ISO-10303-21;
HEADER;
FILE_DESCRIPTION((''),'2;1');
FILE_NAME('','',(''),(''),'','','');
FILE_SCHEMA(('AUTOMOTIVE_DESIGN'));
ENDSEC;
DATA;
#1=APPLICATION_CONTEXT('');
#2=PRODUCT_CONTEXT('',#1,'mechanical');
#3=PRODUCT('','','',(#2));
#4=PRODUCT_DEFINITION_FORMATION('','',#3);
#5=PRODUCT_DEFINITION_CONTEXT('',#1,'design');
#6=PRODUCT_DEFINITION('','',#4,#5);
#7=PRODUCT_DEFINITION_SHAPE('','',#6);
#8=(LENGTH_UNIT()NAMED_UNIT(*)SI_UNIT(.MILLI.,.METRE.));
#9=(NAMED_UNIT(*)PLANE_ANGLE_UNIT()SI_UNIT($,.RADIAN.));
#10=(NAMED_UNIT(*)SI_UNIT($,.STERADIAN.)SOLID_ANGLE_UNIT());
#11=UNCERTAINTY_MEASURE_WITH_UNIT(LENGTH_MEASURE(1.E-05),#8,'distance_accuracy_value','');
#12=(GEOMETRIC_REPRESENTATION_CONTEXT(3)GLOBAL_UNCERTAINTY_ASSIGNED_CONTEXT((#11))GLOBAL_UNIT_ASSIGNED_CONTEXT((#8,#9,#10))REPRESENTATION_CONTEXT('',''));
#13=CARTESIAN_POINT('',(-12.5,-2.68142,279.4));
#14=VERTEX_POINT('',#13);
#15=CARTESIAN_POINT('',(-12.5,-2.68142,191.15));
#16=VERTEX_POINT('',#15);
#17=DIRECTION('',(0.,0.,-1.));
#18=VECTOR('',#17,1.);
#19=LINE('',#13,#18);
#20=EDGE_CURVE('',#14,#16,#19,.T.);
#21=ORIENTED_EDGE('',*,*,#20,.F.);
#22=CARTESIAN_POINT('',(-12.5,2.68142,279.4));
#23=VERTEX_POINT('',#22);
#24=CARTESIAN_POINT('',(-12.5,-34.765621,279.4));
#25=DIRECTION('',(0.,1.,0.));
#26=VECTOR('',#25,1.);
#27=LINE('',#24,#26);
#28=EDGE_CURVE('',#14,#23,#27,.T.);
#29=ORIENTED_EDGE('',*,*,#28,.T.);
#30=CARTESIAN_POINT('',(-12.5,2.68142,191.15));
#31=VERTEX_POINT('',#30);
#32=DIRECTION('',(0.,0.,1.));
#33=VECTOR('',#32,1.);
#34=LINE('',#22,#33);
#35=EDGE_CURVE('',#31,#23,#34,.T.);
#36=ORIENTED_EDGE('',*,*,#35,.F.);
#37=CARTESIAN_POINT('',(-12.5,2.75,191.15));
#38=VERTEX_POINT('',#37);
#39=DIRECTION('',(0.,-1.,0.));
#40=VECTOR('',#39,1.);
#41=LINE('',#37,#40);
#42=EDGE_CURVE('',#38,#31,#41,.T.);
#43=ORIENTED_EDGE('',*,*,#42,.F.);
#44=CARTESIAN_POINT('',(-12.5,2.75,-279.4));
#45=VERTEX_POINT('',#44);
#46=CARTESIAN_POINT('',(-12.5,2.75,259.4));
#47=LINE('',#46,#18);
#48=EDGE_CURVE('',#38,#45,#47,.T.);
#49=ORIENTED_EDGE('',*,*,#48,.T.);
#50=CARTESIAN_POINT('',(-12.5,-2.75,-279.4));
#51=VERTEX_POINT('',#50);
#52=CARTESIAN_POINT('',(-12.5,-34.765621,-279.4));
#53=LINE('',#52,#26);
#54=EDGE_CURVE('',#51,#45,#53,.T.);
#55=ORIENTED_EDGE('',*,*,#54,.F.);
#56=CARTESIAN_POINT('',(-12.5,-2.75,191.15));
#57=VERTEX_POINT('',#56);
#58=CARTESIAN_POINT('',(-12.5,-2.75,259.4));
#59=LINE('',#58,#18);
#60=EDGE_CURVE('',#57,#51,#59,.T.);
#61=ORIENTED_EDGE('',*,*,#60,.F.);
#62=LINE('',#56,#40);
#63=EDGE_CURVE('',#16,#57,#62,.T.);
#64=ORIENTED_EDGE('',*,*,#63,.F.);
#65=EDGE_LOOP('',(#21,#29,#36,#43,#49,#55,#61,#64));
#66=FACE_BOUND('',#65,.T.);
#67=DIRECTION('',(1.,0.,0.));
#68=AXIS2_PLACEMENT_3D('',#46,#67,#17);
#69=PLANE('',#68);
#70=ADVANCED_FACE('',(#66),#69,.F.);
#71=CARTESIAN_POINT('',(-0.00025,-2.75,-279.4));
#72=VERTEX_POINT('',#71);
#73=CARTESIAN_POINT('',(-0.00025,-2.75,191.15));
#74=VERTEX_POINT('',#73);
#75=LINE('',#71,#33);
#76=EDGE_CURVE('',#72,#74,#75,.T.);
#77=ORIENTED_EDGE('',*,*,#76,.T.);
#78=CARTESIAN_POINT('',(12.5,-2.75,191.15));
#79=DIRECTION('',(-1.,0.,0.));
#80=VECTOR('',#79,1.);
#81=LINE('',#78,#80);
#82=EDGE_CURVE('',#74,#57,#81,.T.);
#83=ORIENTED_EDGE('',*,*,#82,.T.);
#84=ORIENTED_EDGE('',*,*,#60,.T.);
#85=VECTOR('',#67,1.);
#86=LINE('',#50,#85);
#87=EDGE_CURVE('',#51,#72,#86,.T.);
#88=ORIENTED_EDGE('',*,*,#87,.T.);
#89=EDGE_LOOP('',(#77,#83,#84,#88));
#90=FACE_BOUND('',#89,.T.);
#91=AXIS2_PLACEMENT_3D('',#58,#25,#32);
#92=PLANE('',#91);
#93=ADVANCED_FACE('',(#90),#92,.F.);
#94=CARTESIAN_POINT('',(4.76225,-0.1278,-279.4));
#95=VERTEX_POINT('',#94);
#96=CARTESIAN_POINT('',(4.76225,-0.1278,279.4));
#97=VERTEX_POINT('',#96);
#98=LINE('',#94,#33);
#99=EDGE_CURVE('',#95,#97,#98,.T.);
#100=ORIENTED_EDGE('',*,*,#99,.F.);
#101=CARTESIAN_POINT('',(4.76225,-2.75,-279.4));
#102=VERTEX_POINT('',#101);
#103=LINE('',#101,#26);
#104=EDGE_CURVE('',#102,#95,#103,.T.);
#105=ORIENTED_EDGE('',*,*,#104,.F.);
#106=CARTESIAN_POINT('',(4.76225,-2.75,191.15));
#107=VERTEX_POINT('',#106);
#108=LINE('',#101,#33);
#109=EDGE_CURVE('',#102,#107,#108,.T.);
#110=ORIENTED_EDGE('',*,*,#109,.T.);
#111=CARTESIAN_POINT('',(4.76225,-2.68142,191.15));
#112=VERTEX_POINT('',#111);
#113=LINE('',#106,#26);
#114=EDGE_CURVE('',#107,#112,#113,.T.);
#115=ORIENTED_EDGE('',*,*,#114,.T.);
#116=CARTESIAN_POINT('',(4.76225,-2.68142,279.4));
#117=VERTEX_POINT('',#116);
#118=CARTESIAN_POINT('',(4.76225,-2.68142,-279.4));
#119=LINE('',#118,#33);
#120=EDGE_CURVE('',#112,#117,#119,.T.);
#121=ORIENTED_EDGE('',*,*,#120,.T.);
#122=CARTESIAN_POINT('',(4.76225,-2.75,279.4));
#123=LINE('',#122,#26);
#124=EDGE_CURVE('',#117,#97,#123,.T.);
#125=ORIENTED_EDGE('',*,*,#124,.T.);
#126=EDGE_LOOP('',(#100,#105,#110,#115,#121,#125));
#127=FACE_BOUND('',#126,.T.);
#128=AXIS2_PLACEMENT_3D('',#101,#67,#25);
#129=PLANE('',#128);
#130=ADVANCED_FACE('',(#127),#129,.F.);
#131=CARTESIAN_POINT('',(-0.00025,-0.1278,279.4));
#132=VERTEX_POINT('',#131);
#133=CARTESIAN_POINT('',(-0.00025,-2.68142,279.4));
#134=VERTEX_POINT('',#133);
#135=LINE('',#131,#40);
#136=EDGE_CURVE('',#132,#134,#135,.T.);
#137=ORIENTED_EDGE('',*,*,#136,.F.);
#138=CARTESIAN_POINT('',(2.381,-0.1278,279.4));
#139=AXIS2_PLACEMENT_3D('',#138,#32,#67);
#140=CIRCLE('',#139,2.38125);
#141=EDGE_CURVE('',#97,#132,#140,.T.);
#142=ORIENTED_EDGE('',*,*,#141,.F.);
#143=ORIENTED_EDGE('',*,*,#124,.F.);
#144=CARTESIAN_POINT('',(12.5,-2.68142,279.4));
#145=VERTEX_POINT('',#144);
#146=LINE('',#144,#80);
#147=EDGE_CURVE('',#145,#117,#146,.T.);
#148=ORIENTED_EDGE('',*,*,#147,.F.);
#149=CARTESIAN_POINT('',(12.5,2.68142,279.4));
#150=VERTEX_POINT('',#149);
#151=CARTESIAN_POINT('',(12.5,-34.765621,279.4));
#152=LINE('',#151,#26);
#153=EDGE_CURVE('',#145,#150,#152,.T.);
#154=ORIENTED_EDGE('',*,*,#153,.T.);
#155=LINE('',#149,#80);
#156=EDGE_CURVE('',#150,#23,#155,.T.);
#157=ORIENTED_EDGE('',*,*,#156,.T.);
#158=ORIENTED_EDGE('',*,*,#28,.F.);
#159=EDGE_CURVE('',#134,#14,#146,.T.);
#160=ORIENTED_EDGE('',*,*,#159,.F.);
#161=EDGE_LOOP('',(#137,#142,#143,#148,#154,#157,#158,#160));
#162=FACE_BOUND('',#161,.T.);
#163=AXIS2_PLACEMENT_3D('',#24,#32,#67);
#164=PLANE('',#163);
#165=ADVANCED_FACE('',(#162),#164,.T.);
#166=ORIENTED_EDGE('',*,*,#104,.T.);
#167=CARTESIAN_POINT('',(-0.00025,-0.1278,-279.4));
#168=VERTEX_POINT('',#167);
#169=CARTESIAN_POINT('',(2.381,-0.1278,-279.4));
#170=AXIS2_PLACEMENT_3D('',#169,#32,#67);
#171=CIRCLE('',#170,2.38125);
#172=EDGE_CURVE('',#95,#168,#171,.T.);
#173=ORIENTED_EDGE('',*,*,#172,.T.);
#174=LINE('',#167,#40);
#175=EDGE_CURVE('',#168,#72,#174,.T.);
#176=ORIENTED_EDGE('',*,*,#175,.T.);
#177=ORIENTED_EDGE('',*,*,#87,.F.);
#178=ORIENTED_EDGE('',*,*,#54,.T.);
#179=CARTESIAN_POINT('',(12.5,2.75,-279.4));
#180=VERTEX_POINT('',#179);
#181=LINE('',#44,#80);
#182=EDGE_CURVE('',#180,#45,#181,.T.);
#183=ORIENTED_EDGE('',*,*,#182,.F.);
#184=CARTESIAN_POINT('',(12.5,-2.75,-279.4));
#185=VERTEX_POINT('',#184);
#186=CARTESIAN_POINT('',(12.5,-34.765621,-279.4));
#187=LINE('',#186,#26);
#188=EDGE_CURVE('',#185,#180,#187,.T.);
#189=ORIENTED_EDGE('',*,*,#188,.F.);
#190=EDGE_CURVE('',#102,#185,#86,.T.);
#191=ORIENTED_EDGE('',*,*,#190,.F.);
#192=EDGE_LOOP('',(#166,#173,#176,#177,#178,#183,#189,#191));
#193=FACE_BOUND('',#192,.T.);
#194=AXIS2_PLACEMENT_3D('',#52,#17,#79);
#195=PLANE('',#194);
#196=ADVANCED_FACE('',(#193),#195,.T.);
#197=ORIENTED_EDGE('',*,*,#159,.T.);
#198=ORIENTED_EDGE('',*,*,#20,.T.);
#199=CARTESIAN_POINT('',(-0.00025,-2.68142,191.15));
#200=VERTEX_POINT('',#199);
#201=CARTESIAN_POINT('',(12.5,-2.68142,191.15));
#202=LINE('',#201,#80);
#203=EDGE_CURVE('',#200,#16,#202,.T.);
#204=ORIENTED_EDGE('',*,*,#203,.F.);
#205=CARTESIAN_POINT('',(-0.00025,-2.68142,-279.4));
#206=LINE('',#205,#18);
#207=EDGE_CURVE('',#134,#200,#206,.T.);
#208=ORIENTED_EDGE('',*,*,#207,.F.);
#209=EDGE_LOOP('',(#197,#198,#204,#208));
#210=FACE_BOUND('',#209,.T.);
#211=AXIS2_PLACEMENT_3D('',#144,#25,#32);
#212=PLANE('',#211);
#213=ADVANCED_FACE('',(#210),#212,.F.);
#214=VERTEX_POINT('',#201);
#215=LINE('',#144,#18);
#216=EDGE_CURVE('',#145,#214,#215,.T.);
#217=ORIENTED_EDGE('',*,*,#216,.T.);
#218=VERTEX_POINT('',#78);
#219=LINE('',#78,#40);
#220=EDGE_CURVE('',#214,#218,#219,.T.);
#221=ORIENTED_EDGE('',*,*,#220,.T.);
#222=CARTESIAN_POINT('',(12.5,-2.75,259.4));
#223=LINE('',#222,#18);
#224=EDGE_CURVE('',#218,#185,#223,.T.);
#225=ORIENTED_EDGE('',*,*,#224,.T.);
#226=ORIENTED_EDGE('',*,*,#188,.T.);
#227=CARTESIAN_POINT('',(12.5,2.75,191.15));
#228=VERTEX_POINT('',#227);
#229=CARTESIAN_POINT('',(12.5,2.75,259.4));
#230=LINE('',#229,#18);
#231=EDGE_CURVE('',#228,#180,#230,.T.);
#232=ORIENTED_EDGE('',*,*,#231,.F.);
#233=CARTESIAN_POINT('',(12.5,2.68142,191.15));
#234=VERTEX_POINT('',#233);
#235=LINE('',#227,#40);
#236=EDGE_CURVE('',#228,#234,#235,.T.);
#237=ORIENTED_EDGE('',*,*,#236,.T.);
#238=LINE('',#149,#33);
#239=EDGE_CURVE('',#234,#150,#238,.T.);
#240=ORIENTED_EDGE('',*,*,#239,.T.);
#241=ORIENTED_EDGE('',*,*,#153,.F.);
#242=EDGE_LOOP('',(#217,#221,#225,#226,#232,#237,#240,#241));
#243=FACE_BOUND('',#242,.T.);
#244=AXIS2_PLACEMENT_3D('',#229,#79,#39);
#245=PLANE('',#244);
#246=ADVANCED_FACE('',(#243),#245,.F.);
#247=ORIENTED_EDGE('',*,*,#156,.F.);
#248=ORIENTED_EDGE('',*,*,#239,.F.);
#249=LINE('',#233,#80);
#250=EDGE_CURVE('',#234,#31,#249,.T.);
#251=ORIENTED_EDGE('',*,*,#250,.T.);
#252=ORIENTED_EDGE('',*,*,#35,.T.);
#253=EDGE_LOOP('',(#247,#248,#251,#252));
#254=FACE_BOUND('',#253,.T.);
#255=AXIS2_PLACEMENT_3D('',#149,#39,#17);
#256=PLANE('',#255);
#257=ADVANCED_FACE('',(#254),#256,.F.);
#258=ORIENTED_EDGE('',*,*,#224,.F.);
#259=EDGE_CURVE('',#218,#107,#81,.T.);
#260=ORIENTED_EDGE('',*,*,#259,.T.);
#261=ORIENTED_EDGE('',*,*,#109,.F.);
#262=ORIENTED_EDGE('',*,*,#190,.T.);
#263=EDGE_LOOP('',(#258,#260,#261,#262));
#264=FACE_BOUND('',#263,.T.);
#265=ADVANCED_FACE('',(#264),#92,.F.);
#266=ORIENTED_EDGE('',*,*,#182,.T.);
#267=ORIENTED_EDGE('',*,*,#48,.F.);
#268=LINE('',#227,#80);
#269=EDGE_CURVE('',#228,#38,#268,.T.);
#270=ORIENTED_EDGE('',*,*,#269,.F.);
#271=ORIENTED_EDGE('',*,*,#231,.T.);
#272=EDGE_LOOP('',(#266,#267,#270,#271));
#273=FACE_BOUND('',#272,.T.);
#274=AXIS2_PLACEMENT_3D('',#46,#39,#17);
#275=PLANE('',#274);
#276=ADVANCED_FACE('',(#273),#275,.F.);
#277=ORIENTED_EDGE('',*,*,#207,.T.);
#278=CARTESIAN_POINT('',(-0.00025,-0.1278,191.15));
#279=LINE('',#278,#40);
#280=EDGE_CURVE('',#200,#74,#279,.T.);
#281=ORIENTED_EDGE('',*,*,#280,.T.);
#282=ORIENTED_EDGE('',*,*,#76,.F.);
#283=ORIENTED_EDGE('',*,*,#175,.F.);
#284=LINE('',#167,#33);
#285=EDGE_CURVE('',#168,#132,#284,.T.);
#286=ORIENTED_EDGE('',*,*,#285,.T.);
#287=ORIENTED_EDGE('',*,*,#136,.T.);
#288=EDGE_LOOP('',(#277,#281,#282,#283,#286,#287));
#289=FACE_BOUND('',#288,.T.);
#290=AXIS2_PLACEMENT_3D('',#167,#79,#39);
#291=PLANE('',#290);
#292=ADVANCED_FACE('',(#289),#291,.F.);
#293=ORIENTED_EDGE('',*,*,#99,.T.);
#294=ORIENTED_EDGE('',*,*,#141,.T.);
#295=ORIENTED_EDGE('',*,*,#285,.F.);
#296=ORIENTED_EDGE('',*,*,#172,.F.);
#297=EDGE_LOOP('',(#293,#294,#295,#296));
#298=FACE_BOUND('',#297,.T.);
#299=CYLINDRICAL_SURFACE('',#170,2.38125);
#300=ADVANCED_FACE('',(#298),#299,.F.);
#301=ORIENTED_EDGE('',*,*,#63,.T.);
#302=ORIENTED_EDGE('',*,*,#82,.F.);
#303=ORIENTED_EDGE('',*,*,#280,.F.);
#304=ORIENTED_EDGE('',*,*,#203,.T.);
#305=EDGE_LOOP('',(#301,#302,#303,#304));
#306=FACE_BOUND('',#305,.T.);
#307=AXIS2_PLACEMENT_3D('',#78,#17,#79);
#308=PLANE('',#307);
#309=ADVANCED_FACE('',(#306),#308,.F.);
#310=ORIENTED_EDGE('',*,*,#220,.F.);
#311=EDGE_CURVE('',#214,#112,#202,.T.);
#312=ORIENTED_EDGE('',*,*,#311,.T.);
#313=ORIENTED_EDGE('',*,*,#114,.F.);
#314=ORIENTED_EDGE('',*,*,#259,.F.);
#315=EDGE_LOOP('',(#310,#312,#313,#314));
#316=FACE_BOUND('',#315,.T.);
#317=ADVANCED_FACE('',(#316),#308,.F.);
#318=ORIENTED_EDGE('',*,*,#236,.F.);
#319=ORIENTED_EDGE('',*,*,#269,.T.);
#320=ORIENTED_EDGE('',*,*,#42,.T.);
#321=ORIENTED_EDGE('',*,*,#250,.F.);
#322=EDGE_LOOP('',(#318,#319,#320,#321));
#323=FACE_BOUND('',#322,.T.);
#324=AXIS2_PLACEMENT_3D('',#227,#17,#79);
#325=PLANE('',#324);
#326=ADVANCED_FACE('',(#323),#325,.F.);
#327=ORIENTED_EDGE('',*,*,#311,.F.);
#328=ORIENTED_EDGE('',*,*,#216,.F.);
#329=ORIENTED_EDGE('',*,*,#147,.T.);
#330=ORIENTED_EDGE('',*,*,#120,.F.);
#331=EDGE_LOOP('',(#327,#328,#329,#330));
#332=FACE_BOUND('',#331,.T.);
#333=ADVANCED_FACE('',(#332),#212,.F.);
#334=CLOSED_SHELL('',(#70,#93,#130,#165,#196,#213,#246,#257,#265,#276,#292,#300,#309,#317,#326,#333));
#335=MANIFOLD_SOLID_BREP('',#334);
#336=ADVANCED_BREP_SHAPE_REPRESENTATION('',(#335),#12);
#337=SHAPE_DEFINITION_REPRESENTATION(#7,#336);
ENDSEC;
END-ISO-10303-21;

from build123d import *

# Parameters (mm, degrees)
SKETCH1_W           = 25
SKETCH1_H           = 5.5
EXTRUDE1_DEPTH      = 259.4
SKETCH6_W           = 25
SKETCH6_H           = 20
BOSS_EXTRUDE2_DEPTH = 5.5
CUT_EXTRUDE2_DEPTH  = 559.8
SKETCH8_W           = 88.25
SKETCH8_H           = 0.06858
CUT_EXTRUDE3_DEPTH  = 26


with BuildPart() as part:
    # Sketch1 → Extrude1 (new body, symmetric)
    with BuildSketch(Plane.XY):
        Rectangle(SKETCH1_W, SKETCH1_H)
    extrude(amount=EXTRUDE1_DEPTH, both=True)

    # Sketch6 → Boss-Extrude2 (add)
    with BuildSketch(Plane(origin=(0, 2.75, 0), x_dir=(1, 0, 0), z_dir=(0, 1, 0))):
        with Locations((0, 269.4)):
            Rectangle(SKETCH6_W, SKETCH6_H)
        with Locations((0, -269.4)):
            Rectangle(SKETCH6_W, SKETCH6_H)
    extrude(amount=-BOSS_EXTRUDE2_DEPTH)

    # Sketch7 → Cut-Extrude2 (cut, through all)
    with BuildSketch(Plane.XY.offset(279.4)):
        with BuildLine():
            Line((-0.00025, -0.1278), (-0.00025, -2.75))
            Line((-0.00025, -2.75), (4.76225, -2.75))
            Line((4.76225, -2.75), (4.76225, -0.1278))
            ThreePointArc((4.76225, -0.1278), (2.381, 2.25345), (-0.00025, -0.1278))
        make_face()
    extrude(amount=-CUT_EXTRUDE2_DEPTH, mode=Mode.SUBTRACT)

    # Sketch8 → Cut-Extrude3 (cut, through all)
    with BuildSketch(Plane.ZY.offset(12.5)):
        with Locations((235.275, 2.71571)):
            Rectangle(SKETCH8_W, SKETCH8_H)
        with Locations((235.275, -2.71571)):
            Rectangle(SKETCH8_W, SKETCH8_H)
    extrude(amount=-CUT_EXTRUDE3_DEPTH, mode=Mode.SUBTRACT)


solid = part.part
